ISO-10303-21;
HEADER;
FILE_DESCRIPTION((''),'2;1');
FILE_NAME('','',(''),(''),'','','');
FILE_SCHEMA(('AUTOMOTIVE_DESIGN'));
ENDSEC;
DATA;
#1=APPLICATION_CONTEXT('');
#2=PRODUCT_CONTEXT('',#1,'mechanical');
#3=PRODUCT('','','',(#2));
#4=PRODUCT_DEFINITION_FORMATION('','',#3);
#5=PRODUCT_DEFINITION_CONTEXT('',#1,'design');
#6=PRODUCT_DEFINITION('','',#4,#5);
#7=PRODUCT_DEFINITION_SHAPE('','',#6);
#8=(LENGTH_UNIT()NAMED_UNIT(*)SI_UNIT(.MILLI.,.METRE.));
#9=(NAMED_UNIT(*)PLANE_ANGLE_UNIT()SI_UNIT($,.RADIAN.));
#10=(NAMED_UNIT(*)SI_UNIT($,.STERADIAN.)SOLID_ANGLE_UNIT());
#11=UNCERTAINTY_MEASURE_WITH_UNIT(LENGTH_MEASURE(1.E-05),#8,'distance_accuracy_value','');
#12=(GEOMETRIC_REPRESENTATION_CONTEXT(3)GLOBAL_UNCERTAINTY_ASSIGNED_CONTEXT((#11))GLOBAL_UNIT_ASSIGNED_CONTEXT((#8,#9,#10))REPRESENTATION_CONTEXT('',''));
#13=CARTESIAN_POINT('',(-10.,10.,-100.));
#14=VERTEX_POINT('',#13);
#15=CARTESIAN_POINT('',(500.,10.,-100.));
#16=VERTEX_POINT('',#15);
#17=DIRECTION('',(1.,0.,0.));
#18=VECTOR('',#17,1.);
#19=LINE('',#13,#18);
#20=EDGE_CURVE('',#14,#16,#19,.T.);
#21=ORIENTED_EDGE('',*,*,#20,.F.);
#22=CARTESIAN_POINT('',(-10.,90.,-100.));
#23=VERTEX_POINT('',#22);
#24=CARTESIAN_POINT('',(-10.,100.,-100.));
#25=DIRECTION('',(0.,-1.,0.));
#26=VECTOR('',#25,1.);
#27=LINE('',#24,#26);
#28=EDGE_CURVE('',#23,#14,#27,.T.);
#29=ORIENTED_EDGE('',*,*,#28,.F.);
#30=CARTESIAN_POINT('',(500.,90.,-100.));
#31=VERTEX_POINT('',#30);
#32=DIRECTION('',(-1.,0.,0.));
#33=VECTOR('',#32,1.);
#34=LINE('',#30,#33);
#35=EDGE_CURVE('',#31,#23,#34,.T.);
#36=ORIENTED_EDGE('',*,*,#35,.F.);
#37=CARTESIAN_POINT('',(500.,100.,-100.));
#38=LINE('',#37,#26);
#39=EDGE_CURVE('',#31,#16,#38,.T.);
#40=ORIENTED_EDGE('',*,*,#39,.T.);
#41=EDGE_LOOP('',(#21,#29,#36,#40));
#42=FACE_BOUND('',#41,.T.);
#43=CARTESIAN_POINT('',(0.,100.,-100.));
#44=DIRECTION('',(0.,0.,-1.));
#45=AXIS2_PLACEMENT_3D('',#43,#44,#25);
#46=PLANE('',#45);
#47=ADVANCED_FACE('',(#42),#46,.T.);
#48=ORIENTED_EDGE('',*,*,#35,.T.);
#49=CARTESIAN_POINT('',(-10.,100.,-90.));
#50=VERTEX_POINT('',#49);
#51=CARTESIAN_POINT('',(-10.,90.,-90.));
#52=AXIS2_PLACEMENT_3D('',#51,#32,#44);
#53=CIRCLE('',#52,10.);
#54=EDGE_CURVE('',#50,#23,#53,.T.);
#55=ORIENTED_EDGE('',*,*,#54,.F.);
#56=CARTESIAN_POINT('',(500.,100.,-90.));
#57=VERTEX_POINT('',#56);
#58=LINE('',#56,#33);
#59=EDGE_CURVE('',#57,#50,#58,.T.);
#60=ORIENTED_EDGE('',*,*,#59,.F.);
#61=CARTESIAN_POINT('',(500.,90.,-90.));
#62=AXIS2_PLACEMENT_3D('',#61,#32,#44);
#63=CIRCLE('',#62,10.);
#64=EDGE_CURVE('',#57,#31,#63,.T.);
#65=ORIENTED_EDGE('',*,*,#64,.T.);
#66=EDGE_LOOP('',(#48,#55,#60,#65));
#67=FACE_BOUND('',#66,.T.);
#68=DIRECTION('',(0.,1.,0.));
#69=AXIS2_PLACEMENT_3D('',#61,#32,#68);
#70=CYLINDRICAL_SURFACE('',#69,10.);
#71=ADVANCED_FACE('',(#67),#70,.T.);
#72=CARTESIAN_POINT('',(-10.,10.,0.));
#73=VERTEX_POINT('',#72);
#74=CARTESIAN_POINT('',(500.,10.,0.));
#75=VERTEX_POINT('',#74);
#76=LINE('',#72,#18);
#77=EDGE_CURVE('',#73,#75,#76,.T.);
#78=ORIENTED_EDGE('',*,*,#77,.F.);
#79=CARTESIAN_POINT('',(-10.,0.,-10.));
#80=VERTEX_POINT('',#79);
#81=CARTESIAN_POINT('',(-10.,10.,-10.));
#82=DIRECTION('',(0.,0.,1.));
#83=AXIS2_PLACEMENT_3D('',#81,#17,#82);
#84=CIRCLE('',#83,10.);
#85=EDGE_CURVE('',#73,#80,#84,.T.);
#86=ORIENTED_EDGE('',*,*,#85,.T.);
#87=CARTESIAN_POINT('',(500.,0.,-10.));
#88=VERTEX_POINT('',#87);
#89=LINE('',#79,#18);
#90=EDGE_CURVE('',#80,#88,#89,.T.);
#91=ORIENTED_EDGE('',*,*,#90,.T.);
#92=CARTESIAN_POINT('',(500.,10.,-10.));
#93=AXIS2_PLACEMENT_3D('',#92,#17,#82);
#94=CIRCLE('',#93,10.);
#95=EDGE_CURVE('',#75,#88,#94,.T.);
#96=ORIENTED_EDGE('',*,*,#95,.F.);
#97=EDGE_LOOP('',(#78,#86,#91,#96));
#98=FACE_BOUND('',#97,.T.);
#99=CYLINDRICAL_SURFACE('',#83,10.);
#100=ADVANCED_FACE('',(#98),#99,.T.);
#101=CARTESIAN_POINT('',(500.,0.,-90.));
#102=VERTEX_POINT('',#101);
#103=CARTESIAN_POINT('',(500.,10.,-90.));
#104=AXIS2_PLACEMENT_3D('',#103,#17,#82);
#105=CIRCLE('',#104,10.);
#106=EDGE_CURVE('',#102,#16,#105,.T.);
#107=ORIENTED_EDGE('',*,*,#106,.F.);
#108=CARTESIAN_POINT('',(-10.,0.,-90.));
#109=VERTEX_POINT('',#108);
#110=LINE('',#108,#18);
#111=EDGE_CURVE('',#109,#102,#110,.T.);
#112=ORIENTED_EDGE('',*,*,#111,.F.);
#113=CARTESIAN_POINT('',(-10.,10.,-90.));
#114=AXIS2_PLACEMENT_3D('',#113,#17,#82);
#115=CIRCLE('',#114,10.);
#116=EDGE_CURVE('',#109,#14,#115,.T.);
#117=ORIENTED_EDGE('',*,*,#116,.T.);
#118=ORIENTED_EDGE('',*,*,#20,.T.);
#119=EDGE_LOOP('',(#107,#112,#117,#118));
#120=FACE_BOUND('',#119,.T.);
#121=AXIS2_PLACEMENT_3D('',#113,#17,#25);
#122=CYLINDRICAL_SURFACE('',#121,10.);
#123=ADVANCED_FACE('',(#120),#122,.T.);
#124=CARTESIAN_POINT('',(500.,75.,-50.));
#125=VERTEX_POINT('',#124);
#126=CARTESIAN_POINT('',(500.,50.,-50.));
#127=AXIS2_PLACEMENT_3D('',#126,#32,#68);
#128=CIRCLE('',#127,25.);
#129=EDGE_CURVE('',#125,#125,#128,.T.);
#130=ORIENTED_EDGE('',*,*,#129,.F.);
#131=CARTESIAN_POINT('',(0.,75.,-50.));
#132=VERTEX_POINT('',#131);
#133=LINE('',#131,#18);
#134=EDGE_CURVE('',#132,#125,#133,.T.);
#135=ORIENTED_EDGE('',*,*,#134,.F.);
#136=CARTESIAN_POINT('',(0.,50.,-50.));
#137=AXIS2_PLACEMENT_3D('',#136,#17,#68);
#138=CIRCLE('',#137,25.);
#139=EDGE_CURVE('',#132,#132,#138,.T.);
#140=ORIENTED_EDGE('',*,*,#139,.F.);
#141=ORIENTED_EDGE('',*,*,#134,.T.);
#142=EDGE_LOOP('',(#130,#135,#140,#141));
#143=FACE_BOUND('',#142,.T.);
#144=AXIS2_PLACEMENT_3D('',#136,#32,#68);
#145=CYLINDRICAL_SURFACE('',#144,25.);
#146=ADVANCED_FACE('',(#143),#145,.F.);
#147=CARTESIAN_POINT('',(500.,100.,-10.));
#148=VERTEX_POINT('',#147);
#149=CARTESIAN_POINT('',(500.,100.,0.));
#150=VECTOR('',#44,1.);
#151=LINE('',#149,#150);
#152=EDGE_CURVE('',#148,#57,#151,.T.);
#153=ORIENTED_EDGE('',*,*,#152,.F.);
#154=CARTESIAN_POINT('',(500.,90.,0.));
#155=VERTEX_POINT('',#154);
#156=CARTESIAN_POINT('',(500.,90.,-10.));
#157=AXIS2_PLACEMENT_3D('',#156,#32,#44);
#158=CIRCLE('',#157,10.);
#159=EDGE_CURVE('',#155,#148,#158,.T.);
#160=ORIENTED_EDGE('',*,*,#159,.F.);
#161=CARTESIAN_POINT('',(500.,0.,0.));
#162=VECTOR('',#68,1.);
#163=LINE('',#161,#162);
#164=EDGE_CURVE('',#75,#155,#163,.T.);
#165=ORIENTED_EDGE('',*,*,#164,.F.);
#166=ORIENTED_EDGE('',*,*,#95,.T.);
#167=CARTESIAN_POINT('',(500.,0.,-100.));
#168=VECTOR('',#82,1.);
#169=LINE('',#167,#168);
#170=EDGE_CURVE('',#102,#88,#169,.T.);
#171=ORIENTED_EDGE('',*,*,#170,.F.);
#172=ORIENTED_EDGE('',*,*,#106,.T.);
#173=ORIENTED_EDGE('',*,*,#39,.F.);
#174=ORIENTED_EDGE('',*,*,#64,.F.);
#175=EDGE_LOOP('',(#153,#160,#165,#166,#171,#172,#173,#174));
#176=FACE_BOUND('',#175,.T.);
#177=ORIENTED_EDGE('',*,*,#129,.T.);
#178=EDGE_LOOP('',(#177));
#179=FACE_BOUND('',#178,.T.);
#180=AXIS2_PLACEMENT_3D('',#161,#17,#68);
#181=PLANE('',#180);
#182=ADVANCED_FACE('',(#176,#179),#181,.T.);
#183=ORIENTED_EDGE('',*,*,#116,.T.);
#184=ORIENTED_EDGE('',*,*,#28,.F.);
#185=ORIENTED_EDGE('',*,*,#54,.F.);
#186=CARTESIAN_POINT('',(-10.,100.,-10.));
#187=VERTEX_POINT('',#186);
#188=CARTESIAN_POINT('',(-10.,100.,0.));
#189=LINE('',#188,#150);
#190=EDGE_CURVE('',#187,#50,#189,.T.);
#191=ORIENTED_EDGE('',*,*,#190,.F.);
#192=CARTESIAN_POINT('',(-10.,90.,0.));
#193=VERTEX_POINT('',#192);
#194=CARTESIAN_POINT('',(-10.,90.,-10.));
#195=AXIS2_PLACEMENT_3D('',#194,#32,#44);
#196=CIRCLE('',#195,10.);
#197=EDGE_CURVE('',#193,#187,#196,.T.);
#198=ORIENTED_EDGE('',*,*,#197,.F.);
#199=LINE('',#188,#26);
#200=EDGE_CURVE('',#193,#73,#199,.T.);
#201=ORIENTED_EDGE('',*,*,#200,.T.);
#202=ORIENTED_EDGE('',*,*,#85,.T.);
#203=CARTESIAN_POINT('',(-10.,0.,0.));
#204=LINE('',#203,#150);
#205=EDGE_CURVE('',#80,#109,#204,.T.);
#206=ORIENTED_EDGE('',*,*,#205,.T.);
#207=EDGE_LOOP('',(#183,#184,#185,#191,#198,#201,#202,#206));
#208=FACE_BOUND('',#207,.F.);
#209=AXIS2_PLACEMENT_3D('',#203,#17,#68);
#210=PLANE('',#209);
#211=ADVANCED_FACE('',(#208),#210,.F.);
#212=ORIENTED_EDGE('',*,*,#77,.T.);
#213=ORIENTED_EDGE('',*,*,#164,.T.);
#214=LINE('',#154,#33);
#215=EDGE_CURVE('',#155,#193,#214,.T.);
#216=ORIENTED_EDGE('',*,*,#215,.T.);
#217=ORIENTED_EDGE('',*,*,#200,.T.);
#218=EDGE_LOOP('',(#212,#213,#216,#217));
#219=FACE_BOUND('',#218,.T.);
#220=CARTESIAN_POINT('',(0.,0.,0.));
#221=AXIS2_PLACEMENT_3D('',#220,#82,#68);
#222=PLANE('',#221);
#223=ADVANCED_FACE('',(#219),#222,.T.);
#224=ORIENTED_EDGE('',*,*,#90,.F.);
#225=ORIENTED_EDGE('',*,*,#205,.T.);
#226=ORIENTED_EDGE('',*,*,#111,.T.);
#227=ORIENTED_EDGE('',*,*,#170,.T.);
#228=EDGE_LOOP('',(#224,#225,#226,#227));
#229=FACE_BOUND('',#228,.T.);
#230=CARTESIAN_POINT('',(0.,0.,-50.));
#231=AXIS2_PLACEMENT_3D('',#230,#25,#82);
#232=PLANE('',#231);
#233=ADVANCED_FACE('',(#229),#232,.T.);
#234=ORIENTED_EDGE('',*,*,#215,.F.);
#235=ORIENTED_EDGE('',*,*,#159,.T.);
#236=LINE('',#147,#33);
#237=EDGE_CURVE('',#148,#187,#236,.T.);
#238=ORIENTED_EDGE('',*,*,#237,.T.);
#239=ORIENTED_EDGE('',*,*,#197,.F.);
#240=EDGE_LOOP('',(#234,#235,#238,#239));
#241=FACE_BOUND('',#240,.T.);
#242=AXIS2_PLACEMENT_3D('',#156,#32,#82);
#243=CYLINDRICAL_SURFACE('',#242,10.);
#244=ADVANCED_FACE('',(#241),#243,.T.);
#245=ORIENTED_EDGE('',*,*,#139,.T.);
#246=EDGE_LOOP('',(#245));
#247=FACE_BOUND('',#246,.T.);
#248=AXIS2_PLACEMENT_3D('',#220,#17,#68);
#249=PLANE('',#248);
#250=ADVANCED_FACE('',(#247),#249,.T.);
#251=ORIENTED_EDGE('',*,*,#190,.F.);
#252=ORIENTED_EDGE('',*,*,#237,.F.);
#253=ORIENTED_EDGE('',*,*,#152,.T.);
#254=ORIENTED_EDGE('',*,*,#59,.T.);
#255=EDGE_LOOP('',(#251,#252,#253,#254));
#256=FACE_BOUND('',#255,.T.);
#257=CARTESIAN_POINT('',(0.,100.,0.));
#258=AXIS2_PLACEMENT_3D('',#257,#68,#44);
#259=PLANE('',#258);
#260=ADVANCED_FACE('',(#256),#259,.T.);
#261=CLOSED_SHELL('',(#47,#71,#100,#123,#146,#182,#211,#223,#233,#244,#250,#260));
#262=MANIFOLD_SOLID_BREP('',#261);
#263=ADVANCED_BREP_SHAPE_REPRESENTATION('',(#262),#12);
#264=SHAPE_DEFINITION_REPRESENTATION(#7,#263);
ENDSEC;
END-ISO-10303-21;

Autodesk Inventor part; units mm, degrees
ref_plane "YZ Plane" through (0, 0, 0) normal (1, 0, 0) x (0, 1, 0)
ref_plane "XZ Plane" through (0, 0, 0) normal (0, 1, 0) x (-1, 0, 0)
ref_plane "XY Plane" through (0, 0, 0) normal (0, 0, 1) x (1, 0, 0)
sketch "Sketch1" plane through (0, 0, 0) normal (1, 0, 0) x (0, 1, 0)
  line L0 (0, 0) -> (100, 0)
  line L1 (100, 0) -> (100, -100)
  line L2 (100, -100) -> (0, -100)
  line L3 (0, -100) -> (0, 0)
  circle A0 centre (50, -50) radius 25
  line L4 (50, 0) -> (50, -50)
  line L5 (50, -50) -> (0, -50)
  dimension "d0" = 100
  dimension "d1" = 100
  dimension "d4" = 50
  dimension "d8" = 50
  dimension "d9" = 50
extrude "Extrusion1" add sketch "Sketch1" along normal blind 500 contours L0 L4 A0 L5 L3 | L0 L1 L2 L3 L5 A0 L4
extrude "Extrusion2" add sketch "Sketch1" against normal blind 10
fillet "Fillet1" radius 10 4 edges at (245, 100, 0) (245, 0, 0) (245, 0, -100) (245, 100, -100)
properties part number "Contenedor"
